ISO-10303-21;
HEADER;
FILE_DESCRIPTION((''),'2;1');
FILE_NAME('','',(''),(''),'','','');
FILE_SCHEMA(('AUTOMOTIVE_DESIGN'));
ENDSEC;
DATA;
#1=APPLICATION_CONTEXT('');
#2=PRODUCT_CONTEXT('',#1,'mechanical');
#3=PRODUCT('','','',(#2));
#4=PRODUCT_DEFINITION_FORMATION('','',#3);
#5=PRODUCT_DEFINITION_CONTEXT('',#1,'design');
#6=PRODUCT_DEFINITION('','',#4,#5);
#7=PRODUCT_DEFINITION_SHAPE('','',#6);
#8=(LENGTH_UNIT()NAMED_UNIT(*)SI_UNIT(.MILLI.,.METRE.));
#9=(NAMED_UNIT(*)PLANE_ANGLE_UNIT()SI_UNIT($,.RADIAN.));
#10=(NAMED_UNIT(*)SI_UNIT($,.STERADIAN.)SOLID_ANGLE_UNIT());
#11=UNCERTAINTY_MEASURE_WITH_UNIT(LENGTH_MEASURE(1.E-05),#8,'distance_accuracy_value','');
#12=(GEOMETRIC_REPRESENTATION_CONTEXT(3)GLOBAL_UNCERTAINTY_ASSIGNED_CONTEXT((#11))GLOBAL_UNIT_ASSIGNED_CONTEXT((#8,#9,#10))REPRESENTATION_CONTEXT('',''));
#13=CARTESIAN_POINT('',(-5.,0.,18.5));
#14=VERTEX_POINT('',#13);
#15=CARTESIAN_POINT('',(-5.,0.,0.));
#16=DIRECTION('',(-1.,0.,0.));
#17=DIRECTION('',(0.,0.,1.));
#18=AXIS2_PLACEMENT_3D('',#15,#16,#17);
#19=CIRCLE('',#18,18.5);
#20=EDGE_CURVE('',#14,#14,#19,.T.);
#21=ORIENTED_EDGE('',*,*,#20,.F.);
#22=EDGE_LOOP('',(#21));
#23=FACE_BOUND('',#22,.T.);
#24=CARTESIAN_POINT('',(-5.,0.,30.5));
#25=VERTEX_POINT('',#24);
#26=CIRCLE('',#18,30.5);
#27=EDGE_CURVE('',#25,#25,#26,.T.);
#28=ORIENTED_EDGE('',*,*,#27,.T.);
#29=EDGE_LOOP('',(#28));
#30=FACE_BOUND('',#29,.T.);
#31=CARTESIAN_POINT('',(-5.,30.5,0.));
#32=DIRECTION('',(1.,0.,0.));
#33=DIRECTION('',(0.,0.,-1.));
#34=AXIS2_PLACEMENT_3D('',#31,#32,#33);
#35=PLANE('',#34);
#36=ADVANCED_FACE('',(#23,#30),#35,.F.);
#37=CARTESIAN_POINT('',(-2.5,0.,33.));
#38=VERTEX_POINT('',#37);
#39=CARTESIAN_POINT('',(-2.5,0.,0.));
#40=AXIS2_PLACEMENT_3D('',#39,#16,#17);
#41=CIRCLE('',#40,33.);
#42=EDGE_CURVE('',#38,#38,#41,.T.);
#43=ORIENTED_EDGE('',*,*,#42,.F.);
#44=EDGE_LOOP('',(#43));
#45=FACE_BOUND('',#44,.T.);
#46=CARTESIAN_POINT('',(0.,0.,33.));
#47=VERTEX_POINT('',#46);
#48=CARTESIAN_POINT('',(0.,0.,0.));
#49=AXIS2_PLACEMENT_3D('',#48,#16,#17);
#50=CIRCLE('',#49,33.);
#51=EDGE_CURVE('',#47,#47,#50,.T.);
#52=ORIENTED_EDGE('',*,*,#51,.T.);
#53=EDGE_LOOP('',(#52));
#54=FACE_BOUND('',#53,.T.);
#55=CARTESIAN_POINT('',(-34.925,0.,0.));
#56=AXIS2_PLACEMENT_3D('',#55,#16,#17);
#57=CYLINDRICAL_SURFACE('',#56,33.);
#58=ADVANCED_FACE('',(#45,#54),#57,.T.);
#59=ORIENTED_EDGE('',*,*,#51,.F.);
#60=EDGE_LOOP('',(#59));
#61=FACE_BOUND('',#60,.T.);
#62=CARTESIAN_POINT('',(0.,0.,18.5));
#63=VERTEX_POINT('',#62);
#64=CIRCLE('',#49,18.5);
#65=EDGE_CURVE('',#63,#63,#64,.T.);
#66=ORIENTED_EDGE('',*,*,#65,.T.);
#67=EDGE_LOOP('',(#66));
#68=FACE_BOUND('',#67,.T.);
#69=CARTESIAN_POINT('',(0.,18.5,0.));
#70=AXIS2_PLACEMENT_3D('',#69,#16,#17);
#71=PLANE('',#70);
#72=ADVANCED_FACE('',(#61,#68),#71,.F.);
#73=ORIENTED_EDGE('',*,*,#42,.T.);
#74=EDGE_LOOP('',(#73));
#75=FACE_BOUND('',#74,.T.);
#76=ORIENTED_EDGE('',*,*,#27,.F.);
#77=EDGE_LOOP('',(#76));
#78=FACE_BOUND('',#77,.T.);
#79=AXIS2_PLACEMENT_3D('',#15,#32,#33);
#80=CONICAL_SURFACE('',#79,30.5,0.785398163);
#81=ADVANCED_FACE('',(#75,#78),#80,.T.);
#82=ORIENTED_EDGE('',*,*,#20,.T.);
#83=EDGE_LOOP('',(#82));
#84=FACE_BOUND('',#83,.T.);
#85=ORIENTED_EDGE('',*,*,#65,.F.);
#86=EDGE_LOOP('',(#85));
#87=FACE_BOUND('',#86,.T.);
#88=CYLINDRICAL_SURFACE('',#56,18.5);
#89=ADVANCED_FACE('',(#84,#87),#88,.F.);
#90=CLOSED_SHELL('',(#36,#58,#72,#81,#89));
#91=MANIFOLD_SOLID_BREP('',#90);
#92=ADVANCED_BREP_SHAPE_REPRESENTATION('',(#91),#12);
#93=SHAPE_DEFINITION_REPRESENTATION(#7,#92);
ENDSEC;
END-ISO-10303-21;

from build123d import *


with BuildPart() as part:
    # Sketch1 → Base-Revolve (revolve)
    with BuildSketch(Plane.XY, mode=Mode.PRIVATE) as base_revolve_sk:
        Polygon((0, 18.5), (0, 33), (-2.5, 33), (-5, 30.5), (-5, 18.5), align=None)
    revolve(base_revolve_sk.sketch.rotate(Axis((-34.925, 0, 0), (1, 0, 0)), 90), axis=Axis((-34.925, 0, 0), (1, 0, 0)))


solid = part.part
